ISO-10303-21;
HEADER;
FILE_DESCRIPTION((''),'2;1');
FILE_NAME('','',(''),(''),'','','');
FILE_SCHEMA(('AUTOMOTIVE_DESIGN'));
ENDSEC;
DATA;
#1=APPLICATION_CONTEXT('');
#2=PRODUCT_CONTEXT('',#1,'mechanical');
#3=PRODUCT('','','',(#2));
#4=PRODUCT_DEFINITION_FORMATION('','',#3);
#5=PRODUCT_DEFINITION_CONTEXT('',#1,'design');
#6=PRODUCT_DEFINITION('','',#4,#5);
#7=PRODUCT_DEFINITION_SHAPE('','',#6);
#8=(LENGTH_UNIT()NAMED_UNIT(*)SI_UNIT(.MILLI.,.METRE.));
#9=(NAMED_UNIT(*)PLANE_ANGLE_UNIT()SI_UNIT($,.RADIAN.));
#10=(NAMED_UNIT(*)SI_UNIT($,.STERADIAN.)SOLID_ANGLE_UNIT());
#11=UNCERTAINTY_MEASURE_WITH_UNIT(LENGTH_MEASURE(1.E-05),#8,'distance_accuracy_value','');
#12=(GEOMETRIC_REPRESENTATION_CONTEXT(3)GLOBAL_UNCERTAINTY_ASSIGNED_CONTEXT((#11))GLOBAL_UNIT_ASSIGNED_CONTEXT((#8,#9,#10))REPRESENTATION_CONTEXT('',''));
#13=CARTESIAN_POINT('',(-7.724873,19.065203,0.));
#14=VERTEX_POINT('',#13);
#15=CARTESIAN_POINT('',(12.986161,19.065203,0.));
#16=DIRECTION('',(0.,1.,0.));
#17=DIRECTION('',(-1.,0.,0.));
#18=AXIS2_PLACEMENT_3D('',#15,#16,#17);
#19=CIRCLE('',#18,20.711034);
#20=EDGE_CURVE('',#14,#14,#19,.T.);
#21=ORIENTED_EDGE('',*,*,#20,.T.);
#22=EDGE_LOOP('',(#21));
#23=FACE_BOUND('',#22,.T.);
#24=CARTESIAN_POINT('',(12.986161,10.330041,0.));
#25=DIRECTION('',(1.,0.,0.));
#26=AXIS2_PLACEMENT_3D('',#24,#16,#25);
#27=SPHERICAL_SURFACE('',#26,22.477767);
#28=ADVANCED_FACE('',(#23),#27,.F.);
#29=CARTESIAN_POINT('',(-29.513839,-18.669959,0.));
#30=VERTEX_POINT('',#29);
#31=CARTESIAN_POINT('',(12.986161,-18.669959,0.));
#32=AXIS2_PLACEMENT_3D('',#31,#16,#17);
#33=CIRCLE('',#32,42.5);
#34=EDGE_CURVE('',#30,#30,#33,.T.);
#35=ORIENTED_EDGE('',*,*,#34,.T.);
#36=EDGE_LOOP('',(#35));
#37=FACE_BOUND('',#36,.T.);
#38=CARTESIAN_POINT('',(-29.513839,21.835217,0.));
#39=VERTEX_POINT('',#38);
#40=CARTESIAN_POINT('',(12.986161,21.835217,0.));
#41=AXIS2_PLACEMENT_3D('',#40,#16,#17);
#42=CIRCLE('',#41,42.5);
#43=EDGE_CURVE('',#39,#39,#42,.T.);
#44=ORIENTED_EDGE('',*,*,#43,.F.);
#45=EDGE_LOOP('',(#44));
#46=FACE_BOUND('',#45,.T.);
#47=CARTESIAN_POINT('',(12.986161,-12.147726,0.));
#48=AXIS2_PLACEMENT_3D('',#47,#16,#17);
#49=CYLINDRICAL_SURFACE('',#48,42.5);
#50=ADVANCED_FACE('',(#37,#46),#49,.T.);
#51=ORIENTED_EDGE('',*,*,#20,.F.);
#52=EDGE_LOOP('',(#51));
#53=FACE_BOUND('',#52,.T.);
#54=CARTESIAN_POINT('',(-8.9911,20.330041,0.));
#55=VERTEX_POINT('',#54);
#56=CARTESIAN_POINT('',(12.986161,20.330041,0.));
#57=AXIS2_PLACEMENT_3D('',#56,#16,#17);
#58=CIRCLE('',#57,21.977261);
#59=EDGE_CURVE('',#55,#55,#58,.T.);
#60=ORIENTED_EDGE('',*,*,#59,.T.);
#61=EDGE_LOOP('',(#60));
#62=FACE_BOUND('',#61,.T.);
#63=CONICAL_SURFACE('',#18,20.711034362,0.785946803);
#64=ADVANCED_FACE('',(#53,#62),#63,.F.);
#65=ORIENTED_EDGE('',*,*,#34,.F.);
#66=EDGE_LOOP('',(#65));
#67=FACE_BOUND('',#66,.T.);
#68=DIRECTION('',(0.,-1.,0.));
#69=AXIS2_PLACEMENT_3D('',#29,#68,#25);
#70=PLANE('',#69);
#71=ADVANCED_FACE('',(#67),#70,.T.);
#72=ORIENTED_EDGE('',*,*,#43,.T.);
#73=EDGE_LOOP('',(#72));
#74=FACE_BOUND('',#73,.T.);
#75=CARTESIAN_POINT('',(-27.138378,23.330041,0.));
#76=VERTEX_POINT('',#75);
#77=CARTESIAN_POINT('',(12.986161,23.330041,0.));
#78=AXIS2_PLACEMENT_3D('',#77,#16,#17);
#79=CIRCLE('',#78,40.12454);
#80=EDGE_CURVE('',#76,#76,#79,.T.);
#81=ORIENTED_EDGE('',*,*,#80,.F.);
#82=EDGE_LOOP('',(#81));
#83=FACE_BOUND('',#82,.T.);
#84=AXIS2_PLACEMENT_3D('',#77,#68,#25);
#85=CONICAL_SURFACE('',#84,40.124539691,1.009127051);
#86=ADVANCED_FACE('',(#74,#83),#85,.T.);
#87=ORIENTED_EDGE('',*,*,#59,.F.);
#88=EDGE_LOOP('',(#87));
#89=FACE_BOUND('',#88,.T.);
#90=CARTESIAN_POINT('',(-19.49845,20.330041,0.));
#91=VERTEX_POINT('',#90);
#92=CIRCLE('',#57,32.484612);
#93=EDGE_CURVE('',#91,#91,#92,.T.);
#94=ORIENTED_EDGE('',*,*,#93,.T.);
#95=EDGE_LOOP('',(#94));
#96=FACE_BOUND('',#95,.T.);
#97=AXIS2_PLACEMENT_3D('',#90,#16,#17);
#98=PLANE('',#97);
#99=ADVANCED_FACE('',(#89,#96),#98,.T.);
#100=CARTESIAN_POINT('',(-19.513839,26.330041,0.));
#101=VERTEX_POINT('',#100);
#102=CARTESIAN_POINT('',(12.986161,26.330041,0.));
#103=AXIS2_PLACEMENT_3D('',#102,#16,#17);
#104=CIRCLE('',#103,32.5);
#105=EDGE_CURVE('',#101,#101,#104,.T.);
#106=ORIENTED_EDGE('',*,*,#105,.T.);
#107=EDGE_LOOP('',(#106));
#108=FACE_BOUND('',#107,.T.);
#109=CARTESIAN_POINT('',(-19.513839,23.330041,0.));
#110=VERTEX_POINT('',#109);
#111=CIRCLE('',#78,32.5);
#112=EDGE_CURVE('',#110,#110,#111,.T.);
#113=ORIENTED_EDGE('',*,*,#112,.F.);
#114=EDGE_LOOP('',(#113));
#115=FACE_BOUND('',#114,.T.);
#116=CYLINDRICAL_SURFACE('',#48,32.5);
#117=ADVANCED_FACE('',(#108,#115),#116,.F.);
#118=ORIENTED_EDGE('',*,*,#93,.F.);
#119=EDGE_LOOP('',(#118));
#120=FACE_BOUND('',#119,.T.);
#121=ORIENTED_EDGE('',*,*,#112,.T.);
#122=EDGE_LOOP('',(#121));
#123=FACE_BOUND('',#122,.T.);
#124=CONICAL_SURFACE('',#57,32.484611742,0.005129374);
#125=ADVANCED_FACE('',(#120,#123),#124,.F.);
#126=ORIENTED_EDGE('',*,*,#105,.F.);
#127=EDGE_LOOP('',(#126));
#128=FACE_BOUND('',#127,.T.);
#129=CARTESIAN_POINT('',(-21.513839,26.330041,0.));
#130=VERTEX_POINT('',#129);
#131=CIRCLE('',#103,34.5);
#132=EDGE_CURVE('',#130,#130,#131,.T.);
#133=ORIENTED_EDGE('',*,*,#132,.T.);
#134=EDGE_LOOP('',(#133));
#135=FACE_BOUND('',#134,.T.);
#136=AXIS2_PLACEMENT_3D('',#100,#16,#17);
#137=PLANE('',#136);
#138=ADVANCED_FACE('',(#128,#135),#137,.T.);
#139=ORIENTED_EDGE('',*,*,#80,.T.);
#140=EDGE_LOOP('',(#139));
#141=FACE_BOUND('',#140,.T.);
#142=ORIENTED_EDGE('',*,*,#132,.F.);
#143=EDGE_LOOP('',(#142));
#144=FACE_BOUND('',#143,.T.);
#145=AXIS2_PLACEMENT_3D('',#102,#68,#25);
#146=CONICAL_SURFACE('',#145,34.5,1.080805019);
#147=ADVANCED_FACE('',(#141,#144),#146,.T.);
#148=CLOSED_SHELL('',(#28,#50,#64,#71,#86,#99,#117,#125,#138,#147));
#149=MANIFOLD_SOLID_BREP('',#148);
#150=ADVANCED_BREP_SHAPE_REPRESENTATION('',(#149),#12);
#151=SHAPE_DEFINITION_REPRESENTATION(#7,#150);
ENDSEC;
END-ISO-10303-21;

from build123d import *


with BuildPart() as part:
    # Sketch1 → Revolve1 (revolve)
    with BuildSketch(Plane.XY):
        with BuildLine():
            Line((-19.513838733, 23.330040777), (-19.513838733, 26.330040777))
            Line((-19.513838733, 26.330040777), (-21.513838733, 26.330040777))
            Line((-21.513838733, 26.330040777), (-27.138378423, 23.330040777))
            Line((-27.138378423, 23.330040777), (-29.513838733, 21.835217327))
            Line((-29.513838733, 21.835217327), (-29.513838733, -18.669959223))
            Line((-29.513838733, -18.669959223), (12.986161267, -18.669959223))
            Line((12.986161267, -18.669959223), (12.986161267, -12.147726016))
            ThreePointArc((12.986161267, -12.147726016), (-5.743453451, -2.097812317), (-7.724873095, 19.065202805))
            Line((-7.724873095, 19.065202805), (-8.991099708, 20.330040777))
            Line((-8.991099708, 20.330040777), (-19.498450474, 20.330040777))
            Line((-19.498450474, 20.330040777), (-19.513838733, 23.330040777))
        make_face()
    revolve(axis=Axis((12.986161267, -12.147726016, 0), (0, -1, 0)))


solid = part.part
